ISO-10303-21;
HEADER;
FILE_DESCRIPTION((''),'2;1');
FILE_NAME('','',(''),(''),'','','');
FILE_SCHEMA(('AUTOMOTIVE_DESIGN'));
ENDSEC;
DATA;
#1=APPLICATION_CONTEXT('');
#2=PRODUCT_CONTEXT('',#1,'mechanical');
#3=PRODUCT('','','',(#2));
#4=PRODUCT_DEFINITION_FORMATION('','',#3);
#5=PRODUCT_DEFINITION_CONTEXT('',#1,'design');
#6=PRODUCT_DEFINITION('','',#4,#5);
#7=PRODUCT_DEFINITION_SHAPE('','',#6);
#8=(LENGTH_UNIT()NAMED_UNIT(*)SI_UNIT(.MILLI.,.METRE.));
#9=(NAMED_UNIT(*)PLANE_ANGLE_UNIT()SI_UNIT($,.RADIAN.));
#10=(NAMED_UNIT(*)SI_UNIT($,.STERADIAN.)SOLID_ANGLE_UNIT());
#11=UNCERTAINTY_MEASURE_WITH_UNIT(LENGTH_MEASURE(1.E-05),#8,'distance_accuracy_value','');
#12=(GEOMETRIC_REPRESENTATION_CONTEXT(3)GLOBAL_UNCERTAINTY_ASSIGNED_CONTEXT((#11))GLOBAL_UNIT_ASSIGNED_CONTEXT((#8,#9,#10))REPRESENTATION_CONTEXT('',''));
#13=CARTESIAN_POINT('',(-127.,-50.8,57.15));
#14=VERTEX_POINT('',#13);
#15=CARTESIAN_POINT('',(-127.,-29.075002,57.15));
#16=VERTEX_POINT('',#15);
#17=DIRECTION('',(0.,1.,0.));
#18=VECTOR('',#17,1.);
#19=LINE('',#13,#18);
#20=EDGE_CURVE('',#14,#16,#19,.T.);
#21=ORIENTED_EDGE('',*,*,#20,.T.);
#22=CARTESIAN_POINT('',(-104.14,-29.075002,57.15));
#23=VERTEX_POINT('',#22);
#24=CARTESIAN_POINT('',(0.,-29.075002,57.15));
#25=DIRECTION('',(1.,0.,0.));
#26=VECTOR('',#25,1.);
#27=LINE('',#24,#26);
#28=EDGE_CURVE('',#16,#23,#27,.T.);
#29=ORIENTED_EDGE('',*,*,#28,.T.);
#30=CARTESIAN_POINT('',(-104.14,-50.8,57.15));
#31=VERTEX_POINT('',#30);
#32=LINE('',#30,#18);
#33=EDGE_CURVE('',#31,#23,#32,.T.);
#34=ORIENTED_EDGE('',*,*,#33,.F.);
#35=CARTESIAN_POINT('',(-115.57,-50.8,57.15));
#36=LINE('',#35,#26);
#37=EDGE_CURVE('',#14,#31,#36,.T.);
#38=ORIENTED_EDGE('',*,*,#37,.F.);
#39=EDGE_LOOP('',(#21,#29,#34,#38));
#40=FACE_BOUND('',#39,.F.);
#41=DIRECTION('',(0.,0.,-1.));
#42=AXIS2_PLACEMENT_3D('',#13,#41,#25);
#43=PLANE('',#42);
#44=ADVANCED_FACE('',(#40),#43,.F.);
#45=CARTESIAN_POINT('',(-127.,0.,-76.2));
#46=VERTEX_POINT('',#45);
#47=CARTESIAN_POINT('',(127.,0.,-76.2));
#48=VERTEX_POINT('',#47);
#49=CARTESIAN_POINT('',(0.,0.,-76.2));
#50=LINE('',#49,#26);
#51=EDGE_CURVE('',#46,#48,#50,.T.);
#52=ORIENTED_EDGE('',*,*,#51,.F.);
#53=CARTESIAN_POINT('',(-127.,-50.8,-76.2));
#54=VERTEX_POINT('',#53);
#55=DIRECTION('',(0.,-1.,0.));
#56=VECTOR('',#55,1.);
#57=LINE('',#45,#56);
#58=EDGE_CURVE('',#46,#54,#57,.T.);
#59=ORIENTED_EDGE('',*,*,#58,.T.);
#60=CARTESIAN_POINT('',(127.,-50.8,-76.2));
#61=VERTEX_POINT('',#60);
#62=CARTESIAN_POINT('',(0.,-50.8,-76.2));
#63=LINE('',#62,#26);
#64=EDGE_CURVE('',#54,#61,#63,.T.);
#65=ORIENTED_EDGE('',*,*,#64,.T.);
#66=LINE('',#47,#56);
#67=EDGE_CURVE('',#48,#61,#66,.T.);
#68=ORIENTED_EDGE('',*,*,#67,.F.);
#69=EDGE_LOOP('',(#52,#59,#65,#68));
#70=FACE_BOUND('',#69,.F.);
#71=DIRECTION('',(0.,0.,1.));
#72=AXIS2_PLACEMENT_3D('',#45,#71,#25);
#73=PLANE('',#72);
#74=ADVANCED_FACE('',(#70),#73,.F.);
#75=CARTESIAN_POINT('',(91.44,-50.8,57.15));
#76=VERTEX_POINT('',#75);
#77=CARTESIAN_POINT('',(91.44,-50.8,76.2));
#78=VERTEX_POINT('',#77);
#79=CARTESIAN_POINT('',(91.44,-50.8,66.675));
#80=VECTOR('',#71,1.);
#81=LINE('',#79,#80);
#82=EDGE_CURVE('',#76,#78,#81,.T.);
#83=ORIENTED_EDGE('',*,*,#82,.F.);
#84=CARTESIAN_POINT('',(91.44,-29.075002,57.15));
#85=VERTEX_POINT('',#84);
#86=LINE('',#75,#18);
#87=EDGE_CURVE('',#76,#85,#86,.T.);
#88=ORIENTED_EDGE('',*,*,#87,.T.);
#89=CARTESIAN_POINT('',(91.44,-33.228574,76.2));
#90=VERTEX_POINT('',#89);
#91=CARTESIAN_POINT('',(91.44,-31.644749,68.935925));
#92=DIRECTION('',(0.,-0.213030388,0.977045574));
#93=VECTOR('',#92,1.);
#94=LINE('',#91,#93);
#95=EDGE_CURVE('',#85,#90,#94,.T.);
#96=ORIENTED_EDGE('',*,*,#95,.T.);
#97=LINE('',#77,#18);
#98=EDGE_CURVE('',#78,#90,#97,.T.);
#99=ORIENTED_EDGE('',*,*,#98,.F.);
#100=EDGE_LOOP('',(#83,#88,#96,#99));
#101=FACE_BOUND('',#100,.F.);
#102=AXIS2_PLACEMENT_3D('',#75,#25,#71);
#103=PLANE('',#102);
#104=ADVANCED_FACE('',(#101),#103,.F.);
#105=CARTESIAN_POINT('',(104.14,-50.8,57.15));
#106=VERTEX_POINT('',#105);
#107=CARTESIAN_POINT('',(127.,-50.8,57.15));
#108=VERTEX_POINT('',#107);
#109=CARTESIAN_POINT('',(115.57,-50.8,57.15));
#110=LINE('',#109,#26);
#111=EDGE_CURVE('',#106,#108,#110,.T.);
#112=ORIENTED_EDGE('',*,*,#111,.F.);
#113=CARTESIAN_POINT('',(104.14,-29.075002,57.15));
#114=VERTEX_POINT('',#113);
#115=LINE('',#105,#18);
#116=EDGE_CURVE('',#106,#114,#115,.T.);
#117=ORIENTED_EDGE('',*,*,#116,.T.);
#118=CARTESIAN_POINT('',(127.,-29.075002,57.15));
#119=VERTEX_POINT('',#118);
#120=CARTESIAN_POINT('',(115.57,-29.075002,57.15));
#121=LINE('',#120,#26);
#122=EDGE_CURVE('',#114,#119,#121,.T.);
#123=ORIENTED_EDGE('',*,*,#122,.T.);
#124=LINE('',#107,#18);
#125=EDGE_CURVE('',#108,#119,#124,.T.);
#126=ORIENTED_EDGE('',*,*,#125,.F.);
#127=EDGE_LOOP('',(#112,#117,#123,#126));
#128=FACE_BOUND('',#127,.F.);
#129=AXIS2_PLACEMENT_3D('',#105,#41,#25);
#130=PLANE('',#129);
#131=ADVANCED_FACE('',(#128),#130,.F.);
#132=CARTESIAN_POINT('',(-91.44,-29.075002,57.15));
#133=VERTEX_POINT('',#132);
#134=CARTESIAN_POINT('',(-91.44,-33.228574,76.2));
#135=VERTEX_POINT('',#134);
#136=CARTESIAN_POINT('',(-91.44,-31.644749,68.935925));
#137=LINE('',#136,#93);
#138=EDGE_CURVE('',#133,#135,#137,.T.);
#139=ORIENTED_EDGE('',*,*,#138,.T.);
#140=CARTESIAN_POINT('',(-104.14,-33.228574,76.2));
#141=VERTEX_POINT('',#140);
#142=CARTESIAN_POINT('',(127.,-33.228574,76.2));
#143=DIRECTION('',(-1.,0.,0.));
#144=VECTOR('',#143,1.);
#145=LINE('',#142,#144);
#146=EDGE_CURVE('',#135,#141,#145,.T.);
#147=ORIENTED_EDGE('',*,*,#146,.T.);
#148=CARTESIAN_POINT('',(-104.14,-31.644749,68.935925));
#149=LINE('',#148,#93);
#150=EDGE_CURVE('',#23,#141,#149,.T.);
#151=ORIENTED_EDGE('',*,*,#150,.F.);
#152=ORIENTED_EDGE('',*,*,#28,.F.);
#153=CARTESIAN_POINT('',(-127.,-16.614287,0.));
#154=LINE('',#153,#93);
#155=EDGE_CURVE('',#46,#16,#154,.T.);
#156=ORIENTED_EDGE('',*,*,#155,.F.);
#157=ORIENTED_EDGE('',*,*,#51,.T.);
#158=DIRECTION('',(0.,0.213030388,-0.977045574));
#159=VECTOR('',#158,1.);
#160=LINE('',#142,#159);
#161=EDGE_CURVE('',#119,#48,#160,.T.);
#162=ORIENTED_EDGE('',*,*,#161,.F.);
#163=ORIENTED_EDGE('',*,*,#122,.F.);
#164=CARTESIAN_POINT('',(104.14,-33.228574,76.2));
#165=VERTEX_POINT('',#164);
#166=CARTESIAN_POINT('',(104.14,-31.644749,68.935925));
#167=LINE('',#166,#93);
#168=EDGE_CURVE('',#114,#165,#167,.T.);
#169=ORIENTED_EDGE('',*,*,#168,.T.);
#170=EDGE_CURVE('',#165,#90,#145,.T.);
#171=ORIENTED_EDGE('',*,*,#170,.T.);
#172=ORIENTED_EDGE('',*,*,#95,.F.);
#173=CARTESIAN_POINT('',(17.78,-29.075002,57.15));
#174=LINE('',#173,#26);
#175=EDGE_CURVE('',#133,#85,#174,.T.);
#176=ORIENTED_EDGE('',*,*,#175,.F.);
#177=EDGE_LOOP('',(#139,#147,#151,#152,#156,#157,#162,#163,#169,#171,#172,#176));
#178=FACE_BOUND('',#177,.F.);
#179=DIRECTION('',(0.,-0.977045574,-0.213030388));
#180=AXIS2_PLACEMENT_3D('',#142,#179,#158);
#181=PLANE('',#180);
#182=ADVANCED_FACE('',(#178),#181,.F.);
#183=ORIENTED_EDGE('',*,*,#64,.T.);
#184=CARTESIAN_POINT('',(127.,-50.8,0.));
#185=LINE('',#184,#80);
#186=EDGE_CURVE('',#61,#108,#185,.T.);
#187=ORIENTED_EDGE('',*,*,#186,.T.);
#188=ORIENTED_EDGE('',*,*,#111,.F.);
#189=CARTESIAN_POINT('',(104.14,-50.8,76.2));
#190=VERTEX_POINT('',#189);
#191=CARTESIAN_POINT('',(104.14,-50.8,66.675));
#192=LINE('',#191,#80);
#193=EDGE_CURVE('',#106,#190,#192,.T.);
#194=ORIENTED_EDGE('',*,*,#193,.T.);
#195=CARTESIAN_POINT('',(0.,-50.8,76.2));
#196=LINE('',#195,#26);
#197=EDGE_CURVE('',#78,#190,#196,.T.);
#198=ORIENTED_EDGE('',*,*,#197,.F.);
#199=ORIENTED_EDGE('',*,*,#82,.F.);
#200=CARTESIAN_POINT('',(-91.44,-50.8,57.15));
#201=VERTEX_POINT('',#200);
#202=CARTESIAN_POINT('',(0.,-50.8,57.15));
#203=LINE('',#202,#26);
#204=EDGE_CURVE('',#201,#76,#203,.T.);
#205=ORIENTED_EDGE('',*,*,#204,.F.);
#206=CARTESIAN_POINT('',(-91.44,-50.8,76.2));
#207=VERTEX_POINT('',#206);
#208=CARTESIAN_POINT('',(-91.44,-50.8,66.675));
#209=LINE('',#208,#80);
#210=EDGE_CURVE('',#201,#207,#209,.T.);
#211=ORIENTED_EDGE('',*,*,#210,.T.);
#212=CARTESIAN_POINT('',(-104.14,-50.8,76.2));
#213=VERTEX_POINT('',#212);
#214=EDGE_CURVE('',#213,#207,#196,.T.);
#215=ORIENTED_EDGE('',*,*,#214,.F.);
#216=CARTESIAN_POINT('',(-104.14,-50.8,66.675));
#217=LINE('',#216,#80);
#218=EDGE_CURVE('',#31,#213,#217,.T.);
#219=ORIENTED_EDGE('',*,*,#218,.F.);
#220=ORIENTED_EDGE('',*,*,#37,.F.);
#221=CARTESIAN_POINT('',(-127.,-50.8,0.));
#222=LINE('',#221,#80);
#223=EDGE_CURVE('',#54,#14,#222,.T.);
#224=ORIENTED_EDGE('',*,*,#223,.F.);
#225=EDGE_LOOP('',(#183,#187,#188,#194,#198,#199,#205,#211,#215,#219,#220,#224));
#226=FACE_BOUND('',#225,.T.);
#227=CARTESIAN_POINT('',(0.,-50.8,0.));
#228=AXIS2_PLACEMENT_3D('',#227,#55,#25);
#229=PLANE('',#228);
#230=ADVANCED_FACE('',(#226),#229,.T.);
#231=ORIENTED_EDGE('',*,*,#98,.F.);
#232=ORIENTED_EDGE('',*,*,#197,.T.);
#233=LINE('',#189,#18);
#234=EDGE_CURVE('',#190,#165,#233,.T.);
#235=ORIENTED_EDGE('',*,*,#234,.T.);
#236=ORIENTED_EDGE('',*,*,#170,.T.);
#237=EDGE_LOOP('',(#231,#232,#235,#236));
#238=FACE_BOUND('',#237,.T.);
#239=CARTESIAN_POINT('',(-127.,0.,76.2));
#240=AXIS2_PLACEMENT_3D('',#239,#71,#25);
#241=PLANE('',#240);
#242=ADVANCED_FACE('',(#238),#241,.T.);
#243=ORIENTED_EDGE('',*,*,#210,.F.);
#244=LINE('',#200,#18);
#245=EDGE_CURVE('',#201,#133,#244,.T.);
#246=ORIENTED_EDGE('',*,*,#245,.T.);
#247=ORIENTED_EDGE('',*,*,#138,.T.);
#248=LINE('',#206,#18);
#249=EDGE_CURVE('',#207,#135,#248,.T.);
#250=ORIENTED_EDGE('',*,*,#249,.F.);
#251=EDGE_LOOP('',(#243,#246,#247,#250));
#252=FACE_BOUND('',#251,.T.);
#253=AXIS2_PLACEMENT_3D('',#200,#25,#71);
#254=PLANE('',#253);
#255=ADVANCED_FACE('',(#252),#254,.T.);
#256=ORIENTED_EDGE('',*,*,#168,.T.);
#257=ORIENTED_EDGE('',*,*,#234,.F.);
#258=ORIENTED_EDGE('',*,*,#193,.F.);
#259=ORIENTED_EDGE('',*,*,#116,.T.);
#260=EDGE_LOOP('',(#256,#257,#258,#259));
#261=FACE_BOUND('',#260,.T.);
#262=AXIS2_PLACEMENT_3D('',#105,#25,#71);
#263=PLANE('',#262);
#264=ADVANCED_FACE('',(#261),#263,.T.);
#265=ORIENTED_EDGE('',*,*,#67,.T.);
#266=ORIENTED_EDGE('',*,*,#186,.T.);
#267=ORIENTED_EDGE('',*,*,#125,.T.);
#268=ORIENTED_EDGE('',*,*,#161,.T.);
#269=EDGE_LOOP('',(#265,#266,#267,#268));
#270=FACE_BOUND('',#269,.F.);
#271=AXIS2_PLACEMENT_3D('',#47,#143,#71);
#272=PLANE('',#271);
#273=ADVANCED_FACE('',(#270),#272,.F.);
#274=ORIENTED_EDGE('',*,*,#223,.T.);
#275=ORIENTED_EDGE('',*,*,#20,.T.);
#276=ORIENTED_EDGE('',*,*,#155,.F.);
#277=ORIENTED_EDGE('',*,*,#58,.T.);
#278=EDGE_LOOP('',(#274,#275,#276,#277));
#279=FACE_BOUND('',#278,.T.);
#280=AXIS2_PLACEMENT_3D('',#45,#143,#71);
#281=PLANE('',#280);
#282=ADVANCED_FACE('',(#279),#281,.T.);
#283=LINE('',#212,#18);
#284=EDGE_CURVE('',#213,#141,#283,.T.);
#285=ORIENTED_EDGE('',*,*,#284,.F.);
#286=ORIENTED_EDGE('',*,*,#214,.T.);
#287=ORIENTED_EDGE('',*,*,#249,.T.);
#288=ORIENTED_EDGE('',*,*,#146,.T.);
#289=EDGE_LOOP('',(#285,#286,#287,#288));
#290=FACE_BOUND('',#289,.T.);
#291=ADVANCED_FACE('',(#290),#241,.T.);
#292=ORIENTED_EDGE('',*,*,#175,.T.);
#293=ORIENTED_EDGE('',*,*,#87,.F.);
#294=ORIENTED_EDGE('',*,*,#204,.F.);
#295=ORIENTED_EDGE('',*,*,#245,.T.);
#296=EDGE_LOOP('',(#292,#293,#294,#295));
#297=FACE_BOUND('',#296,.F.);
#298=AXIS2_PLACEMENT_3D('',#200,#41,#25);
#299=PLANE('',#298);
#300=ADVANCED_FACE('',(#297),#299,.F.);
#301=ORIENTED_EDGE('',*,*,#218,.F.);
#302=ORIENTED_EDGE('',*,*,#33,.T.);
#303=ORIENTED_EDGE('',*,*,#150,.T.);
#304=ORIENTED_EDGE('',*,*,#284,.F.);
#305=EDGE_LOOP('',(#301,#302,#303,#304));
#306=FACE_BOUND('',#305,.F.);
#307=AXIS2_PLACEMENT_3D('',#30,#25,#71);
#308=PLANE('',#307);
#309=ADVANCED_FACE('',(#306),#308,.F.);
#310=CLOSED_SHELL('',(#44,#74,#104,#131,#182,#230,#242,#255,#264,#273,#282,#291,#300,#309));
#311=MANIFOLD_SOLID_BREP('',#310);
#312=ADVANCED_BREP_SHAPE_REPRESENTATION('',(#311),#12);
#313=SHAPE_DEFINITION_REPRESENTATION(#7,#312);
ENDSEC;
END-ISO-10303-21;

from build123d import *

# Parameters (mm, degrees)
F0_W     = 254
F0_H     = 152.4
F1_DEPTH = 50.8
F3_DEPTH = 254.001
F4_W     = 22.86
F4_H     = 19.05
F4_W_2   = 182.88
F5_DEPTH = 50.801


with BuildPart() as f1:
    # F0 (on Front) → F1 (new body)
    with BuildSketch(Plane.XZ):
        Rectangle(F0_W, F0_H)
    extrude(amount=F1_DEPTH)

    # F2 (on face) → F3 (cut, through all)
    with BuildSketch(Plane.YZ.offset(127)):
        Polygon((-33.228574, 76.2), (0, -76.2), (0, 76.2), align=None)
    extrude(amount=-F3_DEPTH, mode=Mode.SUBTRACT)

    # F4 (on face) → F5 (cut, through all)
    with BuildSketch(Plane.XZ.offset(50.8)):
        with Locations((-115.57, 66.675)):
            Rectangle(F4_W, F4_H)
        with Locations((0, 66.675)):
            Rectangle(F4_W_2, F4_H)
        with Locations((115.57, 66.675)):
            Rectangle(F4_W, F4_H)
    extrude(amount=-F5_DEPTH, mode=Mode.SUBTRACT)


solid = f1.part
